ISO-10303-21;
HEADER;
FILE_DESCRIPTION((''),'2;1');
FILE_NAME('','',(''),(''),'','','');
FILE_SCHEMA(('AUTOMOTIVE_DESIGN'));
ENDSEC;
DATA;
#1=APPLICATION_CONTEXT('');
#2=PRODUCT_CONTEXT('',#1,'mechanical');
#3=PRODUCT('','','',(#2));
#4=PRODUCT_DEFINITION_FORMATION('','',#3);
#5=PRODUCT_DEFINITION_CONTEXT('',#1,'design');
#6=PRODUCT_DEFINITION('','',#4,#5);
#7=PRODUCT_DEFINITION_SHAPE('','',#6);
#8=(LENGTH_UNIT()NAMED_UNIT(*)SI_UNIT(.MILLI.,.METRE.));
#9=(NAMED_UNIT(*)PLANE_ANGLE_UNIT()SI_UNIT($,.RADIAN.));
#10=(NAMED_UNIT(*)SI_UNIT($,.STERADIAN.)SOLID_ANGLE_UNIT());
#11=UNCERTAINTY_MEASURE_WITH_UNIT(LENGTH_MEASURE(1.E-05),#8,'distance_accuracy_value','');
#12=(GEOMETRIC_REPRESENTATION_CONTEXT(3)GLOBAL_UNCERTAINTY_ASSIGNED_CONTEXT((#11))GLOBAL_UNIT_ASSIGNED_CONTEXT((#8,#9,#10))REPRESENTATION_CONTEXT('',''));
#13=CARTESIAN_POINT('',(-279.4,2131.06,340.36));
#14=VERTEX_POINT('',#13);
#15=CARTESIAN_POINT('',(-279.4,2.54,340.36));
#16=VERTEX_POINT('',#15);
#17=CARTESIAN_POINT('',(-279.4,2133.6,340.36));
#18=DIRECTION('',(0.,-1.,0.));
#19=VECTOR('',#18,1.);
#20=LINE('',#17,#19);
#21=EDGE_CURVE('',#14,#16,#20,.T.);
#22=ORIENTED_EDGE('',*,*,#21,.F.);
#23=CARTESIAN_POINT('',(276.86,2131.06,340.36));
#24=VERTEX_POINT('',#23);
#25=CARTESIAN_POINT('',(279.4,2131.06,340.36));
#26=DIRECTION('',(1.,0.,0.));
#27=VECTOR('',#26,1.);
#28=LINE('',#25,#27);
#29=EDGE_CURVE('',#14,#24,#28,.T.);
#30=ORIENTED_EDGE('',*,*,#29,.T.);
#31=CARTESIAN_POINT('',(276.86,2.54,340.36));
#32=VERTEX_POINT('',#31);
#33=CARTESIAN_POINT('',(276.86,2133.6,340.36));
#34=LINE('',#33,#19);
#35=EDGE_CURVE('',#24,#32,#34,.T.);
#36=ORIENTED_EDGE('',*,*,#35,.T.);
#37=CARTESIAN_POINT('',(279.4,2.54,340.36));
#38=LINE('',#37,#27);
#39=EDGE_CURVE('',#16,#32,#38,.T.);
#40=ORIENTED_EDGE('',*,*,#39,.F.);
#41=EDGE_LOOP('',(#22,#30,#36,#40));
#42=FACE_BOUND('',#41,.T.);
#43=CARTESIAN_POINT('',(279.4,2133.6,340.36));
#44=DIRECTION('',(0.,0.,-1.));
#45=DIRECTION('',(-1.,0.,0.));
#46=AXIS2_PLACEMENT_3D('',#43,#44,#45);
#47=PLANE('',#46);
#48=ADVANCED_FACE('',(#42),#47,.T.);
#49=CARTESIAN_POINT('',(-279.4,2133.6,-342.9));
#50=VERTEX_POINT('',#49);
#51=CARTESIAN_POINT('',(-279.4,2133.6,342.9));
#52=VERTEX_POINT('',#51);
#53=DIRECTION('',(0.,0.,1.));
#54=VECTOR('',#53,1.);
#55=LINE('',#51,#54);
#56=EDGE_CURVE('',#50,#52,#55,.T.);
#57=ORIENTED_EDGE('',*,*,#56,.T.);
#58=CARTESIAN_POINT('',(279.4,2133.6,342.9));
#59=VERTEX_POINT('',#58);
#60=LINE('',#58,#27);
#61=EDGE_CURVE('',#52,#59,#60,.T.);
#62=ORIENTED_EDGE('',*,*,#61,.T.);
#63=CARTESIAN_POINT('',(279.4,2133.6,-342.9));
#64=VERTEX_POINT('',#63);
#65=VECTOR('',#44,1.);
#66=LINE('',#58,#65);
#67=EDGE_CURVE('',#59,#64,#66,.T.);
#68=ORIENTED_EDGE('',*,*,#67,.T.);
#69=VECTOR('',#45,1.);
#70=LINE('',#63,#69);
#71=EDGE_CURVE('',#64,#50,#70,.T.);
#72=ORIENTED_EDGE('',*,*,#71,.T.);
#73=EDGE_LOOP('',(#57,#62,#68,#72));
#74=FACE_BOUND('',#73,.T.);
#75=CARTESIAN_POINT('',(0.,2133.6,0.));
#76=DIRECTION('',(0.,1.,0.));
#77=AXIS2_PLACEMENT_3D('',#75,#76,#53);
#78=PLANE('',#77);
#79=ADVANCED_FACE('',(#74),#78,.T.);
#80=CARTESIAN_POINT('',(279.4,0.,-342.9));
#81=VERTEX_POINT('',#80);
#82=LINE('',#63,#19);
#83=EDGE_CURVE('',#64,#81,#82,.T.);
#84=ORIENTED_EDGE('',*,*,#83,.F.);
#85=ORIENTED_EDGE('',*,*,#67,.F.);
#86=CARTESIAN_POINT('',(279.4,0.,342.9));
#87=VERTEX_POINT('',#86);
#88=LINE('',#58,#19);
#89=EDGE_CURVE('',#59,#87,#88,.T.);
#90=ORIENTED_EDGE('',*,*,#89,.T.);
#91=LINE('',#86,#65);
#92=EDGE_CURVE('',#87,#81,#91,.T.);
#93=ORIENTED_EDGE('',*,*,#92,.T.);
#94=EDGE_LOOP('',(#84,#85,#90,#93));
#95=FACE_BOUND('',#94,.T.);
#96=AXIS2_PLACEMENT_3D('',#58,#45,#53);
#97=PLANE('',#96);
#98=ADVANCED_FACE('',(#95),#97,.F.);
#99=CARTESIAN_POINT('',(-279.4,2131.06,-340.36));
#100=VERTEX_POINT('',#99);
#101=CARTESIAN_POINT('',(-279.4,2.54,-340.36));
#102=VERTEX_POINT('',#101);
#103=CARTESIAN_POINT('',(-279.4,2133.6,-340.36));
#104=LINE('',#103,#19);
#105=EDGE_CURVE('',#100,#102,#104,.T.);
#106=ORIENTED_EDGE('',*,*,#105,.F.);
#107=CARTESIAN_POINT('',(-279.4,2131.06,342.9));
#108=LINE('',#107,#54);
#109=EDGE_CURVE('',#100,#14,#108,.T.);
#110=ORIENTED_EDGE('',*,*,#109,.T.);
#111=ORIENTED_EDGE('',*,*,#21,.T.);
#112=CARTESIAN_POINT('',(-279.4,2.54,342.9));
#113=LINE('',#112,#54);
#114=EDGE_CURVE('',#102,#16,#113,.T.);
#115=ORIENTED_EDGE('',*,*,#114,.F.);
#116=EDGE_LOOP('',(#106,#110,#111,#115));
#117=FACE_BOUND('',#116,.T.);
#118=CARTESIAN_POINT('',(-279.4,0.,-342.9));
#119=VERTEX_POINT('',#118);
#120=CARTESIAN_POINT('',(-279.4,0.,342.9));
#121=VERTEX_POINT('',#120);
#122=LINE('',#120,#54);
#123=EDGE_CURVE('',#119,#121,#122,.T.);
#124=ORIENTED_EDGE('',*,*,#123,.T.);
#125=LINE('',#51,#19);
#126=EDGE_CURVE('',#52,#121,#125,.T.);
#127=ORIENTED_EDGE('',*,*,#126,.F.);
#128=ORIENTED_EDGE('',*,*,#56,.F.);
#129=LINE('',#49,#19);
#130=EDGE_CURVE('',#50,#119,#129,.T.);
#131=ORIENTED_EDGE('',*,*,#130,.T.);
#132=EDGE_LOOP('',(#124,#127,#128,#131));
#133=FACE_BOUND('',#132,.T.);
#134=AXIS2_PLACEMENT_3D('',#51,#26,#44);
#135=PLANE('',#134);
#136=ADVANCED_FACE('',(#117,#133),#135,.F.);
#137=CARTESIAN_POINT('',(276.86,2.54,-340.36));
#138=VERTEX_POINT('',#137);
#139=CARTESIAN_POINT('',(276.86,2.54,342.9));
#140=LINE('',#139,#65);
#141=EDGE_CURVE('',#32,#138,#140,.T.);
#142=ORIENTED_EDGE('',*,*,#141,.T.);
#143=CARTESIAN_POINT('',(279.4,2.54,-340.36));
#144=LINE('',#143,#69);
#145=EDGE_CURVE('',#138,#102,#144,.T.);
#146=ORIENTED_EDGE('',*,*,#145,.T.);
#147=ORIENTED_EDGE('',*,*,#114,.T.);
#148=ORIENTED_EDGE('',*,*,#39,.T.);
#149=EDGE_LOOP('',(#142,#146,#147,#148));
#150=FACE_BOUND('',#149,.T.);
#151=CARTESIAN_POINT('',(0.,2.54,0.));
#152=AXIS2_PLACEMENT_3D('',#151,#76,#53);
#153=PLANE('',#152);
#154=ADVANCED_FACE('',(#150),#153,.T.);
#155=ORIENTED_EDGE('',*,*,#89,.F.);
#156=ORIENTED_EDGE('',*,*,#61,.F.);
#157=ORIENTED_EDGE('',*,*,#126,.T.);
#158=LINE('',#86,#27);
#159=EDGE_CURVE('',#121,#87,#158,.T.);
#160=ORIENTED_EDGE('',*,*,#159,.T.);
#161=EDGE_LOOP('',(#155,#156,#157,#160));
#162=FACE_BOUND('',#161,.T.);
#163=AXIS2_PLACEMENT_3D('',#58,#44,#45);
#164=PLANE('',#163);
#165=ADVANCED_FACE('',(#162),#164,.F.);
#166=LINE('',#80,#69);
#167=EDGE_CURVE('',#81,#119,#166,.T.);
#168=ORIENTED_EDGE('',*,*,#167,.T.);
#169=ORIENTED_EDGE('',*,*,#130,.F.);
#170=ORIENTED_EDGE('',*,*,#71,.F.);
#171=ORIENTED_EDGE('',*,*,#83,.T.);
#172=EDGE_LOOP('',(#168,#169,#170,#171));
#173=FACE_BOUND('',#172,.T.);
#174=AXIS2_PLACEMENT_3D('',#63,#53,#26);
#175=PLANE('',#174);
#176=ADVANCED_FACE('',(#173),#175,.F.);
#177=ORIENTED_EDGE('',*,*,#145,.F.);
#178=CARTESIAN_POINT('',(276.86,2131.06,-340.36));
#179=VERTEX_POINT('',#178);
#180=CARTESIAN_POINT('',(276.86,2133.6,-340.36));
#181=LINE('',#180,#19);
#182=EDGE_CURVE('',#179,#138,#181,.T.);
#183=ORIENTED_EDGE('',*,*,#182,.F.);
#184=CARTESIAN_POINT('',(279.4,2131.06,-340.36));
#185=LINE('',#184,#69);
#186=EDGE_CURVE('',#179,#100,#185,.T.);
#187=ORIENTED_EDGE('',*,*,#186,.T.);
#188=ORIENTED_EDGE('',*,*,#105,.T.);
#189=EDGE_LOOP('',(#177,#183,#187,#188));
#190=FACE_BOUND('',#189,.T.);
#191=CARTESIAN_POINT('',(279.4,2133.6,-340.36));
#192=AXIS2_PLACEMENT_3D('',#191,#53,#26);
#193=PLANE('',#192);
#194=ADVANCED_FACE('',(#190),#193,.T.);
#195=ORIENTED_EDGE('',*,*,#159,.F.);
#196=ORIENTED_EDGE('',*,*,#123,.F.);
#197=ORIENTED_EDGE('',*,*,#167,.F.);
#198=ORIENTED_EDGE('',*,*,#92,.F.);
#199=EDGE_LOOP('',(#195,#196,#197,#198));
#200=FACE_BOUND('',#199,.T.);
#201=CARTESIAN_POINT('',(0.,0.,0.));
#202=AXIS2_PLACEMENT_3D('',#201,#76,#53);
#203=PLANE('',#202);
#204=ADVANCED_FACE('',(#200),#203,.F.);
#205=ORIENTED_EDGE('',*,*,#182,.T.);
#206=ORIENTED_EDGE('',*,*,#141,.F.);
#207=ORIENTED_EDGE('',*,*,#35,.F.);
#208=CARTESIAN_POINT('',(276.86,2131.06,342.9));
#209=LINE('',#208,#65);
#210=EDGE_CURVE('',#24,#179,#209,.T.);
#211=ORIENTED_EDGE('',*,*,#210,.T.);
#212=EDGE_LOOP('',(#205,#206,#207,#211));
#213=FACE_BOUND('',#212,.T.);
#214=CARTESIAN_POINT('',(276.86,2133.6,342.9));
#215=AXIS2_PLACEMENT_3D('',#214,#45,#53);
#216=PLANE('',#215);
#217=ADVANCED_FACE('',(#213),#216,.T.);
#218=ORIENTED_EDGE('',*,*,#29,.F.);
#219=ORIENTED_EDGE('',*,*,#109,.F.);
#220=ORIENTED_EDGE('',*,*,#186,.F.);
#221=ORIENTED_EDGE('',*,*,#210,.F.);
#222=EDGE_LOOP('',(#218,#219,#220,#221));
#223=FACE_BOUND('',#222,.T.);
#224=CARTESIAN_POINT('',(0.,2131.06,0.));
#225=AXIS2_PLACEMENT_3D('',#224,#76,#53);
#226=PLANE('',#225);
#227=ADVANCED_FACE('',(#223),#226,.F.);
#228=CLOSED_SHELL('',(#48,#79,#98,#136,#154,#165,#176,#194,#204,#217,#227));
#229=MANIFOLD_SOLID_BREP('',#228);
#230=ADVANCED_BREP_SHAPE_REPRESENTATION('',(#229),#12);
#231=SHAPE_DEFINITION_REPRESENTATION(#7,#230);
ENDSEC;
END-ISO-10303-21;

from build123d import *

# Parameters (mm, degrees)
SKETCH1_W           = 558.8
SKETCH1_H           = 685.8
BOSS_EXTRUDE1_DEPTH = 2133.6
SHELL2_T            = -2.54


with BuildPart() as part:
    # Sketch1 → Boss-Extrude1 (new body)
    with BuildSketch(Plane(origin=(0, 0, 0), x_dir=(1, 0, 0), z_dir=(0, 1, 0))):
        Rectangle(SKETCH1_W, SKETCH1_H)
    extrude(amount=BOSS_EXTRUDE1_DEPTH)

    # Shell2
    shell2_openings = [part.faces().sort_by_distance(p)[0] for p in [
        (-279.4, 1066.8, 0),
    ]]
    offset(amount=SHELL2_T, openings=shell2_openings, kind=Kind.INTERSECTION)


solid = part.part
